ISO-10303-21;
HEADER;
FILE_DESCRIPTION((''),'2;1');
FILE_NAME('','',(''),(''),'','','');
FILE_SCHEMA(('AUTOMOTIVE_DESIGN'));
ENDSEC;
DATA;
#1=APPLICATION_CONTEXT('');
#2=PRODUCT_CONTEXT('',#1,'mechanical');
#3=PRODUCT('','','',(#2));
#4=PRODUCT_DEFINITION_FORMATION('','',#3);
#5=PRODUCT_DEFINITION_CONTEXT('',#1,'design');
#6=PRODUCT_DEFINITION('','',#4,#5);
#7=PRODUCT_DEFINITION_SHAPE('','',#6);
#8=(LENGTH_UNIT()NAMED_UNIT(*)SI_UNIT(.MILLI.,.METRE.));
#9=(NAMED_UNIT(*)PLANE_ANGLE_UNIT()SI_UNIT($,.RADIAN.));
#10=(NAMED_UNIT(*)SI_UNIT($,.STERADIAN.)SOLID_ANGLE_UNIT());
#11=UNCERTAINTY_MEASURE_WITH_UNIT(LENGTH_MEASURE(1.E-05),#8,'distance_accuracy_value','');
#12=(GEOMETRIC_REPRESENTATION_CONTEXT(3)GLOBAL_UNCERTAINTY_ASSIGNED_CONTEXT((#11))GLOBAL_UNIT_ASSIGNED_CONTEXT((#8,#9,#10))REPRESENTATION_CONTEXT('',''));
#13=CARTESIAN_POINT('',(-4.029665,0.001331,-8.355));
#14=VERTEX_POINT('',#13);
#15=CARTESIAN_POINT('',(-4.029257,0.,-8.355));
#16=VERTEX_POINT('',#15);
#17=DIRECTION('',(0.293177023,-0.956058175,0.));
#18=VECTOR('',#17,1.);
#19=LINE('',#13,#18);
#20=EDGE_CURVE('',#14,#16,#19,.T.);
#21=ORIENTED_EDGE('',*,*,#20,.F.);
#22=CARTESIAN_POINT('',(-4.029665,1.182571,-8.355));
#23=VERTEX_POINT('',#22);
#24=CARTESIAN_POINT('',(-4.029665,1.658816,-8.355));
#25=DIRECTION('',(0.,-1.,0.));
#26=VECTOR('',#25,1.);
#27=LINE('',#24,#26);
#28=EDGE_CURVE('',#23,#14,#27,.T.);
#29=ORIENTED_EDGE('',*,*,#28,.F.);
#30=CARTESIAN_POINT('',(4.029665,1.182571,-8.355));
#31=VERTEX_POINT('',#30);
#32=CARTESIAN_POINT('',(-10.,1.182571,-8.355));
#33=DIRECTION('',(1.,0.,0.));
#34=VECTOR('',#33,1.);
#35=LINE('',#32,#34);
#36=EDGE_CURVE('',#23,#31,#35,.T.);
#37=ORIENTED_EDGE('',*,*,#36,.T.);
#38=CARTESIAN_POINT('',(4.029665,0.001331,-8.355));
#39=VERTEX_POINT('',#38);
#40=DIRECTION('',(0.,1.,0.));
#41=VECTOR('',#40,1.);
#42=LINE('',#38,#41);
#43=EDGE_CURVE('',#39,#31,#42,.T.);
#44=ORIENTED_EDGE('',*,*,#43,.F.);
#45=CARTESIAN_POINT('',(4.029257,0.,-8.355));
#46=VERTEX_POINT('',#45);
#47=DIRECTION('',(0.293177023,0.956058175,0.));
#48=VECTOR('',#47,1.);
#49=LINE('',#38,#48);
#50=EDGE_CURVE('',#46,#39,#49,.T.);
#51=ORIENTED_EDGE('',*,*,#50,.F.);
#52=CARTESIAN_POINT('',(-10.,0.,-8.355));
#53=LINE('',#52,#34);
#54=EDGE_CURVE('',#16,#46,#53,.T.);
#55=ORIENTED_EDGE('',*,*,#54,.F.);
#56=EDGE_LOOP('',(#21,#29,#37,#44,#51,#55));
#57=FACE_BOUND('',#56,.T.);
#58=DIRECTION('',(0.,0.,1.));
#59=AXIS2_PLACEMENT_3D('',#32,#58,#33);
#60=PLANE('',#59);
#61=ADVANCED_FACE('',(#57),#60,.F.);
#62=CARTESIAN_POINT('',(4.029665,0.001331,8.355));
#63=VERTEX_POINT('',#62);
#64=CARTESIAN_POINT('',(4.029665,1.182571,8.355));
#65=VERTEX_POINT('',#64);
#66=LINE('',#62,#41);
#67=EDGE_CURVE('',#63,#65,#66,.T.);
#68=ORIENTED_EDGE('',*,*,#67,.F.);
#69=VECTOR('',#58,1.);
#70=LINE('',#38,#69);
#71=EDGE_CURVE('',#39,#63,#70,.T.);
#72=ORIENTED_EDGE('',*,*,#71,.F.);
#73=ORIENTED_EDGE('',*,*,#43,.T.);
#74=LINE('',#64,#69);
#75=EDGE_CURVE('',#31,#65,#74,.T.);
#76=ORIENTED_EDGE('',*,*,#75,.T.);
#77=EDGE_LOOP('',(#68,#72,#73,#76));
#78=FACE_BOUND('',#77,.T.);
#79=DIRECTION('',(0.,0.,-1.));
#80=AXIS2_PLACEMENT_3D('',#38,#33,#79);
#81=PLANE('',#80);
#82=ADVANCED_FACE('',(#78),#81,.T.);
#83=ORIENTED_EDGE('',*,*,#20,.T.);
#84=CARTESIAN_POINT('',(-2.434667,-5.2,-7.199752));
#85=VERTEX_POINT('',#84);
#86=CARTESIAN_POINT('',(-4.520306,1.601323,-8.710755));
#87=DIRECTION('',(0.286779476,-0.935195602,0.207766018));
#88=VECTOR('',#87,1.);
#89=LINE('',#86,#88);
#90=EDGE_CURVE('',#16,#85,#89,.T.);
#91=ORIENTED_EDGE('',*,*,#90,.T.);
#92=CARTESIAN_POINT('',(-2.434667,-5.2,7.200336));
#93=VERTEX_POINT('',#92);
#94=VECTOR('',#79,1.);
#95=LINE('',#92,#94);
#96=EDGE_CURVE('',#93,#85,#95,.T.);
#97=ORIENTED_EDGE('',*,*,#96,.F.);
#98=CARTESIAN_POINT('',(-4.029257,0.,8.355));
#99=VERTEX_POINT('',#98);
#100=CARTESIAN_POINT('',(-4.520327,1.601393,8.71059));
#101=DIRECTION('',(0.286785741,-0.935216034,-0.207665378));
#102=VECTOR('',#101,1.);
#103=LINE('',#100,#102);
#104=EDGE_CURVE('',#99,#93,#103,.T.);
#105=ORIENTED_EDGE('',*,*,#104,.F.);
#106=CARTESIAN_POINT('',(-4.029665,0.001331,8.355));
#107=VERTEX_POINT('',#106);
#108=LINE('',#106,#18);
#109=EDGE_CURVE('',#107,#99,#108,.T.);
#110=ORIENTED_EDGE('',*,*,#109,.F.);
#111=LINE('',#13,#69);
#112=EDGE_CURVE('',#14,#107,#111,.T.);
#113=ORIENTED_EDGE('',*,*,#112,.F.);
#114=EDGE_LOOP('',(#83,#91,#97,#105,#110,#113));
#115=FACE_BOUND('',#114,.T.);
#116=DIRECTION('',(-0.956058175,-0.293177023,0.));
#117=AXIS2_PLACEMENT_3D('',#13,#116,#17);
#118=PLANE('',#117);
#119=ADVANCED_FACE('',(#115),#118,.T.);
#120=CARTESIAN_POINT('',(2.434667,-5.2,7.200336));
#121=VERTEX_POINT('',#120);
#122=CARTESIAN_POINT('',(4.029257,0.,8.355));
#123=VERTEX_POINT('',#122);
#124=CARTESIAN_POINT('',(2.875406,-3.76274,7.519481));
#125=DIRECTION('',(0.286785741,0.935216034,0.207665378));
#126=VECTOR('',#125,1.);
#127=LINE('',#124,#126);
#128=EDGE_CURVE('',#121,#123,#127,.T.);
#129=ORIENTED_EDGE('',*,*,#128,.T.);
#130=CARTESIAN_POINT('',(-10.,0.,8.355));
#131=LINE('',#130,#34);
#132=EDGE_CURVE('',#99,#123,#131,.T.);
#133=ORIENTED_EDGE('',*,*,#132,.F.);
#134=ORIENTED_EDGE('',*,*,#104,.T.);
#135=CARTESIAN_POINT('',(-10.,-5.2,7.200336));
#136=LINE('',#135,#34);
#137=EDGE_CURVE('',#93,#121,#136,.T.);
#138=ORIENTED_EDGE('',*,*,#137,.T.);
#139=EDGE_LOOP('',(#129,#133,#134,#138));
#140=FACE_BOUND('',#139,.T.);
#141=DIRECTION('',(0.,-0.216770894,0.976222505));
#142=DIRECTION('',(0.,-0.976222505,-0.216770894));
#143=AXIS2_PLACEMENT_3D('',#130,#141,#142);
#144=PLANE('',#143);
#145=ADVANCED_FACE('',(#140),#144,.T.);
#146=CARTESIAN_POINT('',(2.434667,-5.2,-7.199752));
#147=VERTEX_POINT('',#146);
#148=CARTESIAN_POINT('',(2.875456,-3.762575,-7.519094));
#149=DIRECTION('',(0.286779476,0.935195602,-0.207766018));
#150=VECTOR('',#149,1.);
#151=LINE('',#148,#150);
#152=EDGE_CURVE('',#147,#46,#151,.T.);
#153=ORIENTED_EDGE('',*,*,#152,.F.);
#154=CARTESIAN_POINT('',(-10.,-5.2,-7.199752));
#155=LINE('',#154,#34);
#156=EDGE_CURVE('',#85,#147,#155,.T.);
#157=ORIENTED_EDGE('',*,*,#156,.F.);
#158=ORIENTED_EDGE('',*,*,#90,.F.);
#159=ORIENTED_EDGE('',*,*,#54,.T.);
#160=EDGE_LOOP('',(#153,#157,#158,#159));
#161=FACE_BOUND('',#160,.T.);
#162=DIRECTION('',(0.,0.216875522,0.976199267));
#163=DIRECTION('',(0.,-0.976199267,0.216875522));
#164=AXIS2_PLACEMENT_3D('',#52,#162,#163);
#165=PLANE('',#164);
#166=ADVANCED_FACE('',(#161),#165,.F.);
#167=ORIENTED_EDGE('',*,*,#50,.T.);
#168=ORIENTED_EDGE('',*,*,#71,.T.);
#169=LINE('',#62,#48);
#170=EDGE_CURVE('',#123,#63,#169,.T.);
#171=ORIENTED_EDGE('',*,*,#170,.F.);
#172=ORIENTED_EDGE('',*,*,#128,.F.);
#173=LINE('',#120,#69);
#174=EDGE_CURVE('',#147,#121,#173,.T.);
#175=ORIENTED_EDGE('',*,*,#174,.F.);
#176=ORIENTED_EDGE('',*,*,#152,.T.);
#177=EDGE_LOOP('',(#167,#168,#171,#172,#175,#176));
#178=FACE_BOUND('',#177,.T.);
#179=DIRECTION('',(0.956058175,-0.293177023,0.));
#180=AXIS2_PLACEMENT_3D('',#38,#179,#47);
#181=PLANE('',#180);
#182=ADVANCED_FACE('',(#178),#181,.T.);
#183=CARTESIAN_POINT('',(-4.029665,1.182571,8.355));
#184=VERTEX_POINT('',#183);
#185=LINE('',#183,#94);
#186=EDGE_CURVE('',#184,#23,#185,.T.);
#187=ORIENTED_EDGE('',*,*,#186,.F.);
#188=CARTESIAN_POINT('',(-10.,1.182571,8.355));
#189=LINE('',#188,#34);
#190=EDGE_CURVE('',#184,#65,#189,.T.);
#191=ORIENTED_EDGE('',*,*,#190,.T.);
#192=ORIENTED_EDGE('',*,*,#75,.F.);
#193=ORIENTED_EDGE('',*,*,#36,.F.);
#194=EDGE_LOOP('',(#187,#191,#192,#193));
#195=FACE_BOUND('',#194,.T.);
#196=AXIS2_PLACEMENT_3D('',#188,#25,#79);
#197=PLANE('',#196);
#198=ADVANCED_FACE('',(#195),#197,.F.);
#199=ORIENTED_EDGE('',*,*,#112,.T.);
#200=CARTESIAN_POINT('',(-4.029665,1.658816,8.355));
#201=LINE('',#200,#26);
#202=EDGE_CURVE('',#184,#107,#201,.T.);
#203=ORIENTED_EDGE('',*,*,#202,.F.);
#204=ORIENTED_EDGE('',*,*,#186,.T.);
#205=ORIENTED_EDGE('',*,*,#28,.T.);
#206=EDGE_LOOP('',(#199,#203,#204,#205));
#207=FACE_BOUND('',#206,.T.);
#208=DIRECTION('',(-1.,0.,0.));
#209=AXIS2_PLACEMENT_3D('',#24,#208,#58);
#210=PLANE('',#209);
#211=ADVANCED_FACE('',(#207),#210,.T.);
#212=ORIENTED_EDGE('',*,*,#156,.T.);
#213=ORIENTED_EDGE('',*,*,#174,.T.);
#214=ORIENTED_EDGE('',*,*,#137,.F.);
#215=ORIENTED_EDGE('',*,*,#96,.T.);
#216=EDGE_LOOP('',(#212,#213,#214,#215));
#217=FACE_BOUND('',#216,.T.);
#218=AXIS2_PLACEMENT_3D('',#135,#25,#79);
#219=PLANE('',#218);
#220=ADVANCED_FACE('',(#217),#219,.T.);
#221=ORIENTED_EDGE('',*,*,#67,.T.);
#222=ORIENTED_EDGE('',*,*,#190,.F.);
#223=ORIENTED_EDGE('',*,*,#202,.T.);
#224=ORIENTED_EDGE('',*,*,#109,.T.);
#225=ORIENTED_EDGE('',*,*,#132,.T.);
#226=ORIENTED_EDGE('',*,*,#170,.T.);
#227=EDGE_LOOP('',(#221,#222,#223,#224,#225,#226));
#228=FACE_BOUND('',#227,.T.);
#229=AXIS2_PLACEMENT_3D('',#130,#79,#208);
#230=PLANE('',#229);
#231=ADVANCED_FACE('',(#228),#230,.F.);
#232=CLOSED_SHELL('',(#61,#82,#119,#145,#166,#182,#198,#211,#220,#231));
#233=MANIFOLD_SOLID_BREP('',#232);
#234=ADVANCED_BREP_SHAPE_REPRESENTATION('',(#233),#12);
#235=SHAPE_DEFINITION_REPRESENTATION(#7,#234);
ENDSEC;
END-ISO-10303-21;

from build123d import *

# Parameters (mm, degrees)
ESTRUSIONE_ESTRUSIONE1_DEPTH      = 10
ESTRUSIONE_ESTRUSIONE1_DEPTH_BACK = 10
SCHIZZO3_OUTSIDE_W                = 27.366
SCHIZZO3_OUTSIDE_H                = 13.749
TAGLIO_ESTRUSIONE2_DEPTH          = 9.355
TAGLIO_ESTRUSIONE2_DEPTH_BACK     = 9.355


with BuildPart() as part:
    # Schizzo2 → Estrusione-Estrusione1 (new body, two sides)
    with BuildSketch(Plane(origin=(0, 0, 0), x_dir=(0, 0, -1), z_dir=(1, 0, 0))) as estrusione_estrusione1_sk:
        Polygon((-7.200336343, -5.2), (7.199751527, -5.2), (8.355, 0), (8.355, 1.182571265), (-8.355, 1.182571265), (-8.355, 0), align=None)
    extrude(amount=ESTRUSIONE_ESTRUSIONE1_DEPTH)
    extrude(estrusione_estrusione1_sk.sketch, amount=-ESTRUSIONE_ESTRUSIONE1_DEPTH_BACK)

    # Schizzo3 outside → Taglio-Estrusione2 (cut, two sides)
    with BuildSketch(Plane.XY) as taglio_estrusione2_sk:
        with Locations((0, -2.0085)):
            Rectangle(SCHIZZO3_OUTSIDE_W, SCHIZZO3_OUTSIDE_H)
        Polygon((2.434296655, -5.201208291), (-2.434296655, -5.201208291), (-4.029664932, 0.001330674), (-4.029664932, 1.658816204), (4.029664932, 1.658816204), (4.029664932, 0.001330674), align=None, mode=Mode.SUBTRACT)
    extrude(amount=TAGLIO_ESTRUSIONE2_DEPTH, mode=Mode.SUBTRACT)
    extrude(taglio_estrusione2_sk.sketch, amount=-TAGLIO_ESTRUSIONE2_DEPTH_BACK, mode=Mode.SUBTRACT)


solid = part.part
